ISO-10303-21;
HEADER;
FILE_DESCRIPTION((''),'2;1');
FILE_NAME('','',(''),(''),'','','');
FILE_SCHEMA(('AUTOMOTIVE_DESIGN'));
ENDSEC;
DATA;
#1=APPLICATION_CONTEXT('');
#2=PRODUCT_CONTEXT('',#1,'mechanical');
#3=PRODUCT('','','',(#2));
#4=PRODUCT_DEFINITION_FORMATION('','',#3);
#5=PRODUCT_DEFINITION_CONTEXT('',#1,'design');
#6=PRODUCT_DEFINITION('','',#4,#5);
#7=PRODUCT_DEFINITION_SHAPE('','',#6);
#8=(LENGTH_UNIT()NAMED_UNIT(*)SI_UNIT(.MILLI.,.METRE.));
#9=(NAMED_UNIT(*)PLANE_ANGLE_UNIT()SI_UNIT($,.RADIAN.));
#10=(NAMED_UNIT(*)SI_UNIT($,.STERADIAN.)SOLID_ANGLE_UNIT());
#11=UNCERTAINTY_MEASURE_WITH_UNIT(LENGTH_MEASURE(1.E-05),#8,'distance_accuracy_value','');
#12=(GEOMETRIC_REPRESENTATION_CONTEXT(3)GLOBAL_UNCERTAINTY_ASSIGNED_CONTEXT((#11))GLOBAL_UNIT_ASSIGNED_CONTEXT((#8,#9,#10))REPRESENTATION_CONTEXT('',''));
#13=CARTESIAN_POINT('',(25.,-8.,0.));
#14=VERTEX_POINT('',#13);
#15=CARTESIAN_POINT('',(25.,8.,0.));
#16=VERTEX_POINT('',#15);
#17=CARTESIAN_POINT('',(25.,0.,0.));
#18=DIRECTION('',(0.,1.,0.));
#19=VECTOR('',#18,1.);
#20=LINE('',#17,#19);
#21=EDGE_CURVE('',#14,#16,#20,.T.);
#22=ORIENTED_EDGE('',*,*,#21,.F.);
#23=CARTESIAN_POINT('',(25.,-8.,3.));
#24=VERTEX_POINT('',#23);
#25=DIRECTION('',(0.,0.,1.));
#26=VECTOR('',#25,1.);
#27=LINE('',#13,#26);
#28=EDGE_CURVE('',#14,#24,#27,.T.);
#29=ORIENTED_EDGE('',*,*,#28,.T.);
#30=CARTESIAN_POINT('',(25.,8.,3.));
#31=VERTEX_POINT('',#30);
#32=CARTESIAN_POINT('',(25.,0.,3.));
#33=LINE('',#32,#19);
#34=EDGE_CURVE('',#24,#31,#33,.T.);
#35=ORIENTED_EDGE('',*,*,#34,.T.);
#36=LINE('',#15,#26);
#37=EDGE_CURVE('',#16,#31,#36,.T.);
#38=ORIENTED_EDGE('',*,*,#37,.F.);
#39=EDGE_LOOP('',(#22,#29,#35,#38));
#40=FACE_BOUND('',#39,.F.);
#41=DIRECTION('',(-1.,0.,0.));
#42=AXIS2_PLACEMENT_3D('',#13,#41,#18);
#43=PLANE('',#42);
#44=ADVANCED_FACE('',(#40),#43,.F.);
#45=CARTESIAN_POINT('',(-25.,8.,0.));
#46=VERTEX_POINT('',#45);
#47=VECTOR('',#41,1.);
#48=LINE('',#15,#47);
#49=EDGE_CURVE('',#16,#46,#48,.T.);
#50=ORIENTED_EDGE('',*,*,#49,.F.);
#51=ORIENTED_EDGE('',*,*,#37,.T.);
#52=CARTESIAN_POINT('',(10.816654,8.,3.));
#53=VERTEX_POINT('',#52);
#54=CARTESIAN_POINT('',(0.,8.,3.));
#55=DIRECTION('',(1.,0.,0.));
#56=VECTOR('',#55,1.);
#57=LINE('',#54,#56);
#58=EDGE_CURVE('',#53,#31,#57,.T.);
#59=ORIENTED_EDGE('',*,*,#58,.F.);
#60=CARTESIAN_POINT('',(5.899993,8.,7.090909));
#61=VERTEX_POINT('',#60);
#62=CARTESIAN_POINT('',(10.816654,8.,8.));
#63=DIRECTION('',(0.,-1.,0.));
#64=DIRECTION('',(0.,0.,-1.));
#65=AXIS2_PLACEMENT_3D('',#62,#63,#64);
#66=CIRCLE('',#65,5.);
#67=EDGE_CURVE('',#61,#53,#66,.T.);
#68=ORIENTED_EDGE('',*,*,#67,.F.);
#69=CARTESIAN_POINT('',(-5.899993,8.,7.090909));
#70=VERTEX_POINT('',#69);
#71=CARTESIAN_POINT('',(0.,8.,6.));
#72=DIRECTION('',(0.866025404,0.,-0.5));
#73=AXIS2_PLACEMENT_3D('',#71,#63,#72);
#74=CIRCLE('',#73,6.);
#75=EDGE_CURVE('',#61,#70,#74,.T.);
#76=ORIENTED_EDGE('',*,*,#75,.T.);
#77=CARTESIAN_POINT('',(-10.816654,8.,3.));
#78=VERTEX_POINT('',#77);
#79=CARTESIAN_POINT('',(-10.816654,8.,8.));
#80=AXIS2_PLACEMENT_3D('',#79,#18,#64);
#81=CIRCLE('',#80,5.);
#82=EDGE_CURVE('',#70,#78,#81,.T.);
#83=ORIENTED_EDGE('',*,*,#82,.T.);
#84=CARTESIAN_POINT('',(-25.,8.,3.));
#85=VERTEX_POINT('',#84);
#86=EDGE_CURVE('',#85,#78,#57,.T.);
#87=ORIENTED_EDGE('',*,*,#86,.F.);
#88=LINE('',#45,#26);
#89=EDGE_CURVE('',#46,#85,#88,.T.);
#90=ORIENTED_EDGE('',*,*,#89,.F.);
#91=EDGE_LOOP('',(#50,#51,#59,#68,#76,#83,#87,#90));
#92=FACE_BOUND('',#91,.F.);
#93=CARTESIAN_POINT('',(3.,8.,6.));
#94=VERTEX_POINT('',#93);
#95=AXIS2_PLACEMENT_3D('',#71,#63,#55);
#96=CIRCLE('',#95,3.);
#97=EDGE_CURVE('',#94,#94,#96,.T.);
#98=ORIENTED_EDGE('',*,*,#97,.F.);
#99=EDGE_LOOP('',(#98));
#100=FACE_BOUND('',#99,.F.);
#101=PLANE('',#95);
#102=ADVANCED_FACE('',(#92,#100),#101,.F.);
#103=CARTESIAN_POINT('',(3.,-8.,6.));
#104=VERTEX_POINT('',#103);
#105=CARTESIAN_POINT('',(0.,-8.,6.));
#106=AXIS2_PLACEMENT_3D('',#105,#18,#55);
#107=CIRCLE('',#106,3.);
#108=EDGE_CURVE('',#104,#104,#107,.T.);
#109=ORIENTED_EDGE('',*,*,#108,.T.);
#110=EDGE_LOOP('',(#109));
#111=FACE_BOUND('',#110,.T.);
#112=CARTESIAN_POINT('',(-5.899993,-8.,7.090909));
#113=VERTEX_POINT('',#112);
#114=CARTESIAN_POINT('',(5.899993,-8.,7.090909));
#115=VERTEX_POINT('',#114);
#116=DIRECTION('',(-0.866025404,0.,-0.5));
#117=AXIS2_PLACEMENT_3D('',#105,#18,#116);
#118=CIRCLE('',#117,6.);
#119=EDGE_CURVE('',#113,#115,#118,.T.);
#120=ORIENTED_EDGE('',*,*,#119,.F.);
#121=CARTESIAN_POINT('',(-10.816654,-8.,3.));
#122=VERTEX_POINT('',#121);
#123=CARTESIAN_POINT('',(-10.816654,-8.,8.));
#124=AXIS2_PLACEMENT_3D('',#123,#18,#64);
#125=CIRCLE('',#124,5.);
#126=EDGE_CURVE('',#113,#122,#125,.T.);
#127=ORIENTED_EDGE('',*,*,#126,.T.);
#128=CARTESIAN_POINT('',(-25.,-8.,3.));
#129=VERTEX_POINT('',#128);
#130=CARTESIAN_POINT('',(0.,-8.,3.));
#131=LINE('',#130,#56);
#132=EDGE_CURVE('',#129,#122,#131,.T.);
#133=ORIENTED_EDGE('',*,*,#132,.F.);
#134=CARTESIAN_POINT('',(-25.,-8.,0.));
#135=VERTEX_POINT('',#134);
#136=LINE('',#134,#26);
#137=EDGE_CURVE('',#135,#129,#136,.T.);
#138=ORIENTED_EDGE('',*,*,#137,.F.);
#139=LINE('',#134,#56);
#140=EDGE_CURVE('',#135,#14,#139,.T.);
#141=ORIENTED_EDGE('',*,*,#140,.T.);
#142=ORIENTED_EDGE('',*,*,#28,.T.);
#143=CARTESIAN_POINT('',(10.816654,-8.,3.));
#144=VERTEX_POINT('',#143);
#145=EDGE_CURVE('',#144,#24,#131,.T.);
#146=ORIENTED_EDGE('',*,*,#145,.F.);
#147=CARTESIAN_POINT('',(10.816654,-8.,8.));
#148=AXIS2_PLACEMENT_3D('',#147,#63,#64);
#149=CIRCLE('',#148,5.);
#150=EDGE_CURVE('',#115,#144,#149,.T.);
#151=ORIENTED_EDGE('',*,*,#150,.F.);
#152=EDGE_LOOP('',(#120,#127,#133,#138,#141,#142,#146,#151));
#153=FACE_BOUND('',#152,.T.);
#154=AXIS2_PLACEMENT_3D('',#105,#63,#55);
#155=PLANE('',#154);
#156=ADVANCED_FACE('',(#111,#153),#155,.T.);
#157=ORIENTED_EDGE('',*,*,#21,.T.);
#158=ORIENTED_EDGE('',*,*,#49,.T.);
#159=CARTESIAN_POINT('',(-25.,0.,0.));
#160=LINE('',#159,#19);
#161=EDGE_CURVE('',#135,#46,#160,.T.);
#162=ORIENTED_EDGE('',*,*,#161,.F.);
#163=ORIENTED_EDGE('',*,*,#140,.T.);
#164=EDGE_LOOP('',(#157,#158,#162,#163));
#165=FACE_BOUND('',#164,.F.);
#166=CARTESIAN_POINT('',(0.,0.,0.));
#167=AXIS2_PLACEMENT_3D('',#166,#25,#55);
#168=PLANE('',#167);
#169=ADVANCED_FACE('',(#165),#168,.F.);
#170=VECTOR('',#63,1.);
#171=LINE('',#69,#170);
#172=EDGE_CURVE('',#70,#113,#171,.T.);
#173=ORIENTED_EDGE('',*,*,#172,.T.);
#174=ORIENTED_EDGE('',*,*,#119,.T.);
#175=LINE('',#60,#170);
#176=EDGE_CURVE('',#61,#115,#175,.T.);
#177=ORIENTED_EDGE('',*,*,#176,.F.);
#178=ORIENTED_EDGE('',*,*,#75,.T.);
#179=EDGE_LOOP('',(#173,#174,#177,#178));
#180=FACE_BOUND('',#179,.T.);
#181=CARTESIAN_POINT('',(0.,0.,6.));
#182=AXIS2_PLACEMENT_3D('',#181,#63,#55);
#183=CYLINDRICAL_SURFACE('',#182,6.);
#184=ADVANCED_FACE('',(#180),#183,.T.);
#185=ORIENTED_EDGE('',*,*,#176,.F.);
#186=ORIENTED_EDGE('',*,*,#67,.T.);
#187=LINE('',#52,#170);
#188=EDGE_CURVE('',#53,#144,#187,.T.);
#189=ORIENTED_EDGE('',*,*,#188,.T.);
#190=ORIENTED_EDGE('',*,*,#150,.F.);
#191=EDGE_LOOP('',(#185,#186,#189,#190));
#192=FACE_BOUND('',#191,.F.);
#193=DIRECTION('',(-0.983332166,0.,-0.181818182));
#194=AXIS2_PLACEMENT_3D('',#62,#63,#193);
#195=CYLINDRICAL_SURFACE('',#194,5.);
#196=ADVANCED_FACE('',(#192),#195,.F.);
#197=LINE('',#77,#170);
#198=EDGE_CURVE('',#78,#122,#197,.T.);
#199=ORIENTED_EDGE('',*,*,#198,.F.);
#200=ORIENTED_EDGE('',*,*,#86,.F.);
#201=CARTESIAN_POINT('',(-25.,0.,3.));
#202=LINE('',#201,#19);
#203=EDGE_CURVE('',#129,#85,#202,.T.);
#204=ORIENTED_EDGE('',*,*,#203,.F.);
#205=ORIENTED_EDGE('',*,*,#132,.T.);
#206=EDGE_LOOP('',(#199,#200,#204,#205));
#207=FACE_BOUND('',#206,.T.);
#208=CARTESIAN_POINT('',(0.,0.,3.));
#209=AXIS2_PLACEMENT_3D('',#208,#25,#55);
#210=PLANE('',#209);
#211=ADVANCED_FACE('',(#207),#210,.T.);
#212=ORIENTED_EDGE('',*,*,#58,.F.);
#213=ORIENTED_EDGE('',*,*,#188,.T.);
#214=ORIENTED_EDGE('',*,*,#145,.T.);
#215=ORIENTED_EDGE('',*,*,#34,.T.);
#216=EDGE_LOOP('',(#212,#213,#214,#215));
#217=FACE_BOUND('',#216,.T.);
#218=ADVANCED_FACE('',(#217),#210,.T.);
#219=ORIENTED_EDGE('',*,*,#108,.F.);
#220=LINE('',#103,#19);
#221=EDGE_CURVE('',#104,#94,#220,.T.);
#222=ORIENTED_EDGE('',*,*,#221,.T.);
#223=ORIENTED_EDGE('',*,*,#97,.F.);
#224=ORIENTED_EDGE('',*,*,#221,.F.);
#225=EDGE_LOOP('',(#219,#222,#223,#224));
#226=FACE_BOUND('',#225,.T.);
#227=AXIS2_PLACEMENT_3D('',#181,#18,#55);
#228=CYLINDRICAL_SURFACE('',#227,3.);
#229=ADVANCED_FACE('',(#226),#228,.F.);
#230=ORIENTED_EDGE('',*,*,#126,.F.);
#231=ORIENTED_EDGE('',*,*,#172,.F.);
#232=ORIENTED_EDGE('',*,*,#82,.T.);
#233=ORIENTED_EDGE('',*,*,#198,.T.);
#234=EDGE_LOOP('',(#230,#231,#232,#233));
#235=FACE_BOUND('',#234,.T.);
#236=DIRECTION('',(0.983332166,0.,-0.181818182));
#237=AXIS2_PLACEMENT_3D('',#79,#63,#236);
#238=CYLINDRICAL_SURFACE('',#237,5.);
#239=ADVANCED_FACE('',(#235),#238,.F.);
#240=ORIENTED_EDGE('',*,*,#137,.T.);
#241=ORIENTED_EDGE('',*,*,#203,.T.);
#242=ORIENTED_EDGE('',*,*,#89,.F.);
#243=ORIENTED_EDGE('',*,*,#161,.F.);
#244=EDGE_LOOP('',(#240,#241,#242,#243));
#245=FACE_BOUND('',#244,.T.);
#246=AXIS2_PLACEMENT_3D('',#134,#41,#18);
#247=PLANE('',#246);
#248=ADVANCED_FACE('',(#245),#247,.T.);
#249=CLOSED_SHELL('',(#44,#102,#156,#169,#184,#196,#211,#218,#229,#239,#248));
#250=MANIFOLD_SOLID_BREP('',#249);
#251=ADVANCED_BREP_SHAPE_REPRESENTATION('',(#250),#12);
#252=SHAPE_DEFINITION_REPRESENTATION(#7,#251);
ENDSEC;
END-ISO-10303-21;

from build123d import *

# Parameters (mm, degrees)
F0_W     = 50
F0_H     = 16
F1_DEPTH = 3
F2_R     = 6
F2_R_2   = 3
F3_DEPTH = 8
F4_R     = 5


with BuildPart() as f1:
    # F0 (on Top) → F1 (new body)
    with BuildSketch(Plane.XY):
        Rectangle(F0_W, F0_H)
    extrude(amount=F1_DEPTH)

    # F2 (on Front) → F3 (join, symmetric)
    with BuildSketch(Plane.XZ):
        with Locations((0, 6)):
            Circle(F2_R)
        with Locations((0, 6)):
            Circle(F2_R_2, mode=Mode.SUBTRACT)
    extrude(amount=F3_DEPTH, both=True)

    # F4
    f4_edges = [f1.edges().sort_by_distance(p)[0] for p in [
        (-5.196152, 0, 3),
        (5.196152, 0, 3),
    ]]
    fillet(f4_edges, radius=F4_R)


solid = f1.part
